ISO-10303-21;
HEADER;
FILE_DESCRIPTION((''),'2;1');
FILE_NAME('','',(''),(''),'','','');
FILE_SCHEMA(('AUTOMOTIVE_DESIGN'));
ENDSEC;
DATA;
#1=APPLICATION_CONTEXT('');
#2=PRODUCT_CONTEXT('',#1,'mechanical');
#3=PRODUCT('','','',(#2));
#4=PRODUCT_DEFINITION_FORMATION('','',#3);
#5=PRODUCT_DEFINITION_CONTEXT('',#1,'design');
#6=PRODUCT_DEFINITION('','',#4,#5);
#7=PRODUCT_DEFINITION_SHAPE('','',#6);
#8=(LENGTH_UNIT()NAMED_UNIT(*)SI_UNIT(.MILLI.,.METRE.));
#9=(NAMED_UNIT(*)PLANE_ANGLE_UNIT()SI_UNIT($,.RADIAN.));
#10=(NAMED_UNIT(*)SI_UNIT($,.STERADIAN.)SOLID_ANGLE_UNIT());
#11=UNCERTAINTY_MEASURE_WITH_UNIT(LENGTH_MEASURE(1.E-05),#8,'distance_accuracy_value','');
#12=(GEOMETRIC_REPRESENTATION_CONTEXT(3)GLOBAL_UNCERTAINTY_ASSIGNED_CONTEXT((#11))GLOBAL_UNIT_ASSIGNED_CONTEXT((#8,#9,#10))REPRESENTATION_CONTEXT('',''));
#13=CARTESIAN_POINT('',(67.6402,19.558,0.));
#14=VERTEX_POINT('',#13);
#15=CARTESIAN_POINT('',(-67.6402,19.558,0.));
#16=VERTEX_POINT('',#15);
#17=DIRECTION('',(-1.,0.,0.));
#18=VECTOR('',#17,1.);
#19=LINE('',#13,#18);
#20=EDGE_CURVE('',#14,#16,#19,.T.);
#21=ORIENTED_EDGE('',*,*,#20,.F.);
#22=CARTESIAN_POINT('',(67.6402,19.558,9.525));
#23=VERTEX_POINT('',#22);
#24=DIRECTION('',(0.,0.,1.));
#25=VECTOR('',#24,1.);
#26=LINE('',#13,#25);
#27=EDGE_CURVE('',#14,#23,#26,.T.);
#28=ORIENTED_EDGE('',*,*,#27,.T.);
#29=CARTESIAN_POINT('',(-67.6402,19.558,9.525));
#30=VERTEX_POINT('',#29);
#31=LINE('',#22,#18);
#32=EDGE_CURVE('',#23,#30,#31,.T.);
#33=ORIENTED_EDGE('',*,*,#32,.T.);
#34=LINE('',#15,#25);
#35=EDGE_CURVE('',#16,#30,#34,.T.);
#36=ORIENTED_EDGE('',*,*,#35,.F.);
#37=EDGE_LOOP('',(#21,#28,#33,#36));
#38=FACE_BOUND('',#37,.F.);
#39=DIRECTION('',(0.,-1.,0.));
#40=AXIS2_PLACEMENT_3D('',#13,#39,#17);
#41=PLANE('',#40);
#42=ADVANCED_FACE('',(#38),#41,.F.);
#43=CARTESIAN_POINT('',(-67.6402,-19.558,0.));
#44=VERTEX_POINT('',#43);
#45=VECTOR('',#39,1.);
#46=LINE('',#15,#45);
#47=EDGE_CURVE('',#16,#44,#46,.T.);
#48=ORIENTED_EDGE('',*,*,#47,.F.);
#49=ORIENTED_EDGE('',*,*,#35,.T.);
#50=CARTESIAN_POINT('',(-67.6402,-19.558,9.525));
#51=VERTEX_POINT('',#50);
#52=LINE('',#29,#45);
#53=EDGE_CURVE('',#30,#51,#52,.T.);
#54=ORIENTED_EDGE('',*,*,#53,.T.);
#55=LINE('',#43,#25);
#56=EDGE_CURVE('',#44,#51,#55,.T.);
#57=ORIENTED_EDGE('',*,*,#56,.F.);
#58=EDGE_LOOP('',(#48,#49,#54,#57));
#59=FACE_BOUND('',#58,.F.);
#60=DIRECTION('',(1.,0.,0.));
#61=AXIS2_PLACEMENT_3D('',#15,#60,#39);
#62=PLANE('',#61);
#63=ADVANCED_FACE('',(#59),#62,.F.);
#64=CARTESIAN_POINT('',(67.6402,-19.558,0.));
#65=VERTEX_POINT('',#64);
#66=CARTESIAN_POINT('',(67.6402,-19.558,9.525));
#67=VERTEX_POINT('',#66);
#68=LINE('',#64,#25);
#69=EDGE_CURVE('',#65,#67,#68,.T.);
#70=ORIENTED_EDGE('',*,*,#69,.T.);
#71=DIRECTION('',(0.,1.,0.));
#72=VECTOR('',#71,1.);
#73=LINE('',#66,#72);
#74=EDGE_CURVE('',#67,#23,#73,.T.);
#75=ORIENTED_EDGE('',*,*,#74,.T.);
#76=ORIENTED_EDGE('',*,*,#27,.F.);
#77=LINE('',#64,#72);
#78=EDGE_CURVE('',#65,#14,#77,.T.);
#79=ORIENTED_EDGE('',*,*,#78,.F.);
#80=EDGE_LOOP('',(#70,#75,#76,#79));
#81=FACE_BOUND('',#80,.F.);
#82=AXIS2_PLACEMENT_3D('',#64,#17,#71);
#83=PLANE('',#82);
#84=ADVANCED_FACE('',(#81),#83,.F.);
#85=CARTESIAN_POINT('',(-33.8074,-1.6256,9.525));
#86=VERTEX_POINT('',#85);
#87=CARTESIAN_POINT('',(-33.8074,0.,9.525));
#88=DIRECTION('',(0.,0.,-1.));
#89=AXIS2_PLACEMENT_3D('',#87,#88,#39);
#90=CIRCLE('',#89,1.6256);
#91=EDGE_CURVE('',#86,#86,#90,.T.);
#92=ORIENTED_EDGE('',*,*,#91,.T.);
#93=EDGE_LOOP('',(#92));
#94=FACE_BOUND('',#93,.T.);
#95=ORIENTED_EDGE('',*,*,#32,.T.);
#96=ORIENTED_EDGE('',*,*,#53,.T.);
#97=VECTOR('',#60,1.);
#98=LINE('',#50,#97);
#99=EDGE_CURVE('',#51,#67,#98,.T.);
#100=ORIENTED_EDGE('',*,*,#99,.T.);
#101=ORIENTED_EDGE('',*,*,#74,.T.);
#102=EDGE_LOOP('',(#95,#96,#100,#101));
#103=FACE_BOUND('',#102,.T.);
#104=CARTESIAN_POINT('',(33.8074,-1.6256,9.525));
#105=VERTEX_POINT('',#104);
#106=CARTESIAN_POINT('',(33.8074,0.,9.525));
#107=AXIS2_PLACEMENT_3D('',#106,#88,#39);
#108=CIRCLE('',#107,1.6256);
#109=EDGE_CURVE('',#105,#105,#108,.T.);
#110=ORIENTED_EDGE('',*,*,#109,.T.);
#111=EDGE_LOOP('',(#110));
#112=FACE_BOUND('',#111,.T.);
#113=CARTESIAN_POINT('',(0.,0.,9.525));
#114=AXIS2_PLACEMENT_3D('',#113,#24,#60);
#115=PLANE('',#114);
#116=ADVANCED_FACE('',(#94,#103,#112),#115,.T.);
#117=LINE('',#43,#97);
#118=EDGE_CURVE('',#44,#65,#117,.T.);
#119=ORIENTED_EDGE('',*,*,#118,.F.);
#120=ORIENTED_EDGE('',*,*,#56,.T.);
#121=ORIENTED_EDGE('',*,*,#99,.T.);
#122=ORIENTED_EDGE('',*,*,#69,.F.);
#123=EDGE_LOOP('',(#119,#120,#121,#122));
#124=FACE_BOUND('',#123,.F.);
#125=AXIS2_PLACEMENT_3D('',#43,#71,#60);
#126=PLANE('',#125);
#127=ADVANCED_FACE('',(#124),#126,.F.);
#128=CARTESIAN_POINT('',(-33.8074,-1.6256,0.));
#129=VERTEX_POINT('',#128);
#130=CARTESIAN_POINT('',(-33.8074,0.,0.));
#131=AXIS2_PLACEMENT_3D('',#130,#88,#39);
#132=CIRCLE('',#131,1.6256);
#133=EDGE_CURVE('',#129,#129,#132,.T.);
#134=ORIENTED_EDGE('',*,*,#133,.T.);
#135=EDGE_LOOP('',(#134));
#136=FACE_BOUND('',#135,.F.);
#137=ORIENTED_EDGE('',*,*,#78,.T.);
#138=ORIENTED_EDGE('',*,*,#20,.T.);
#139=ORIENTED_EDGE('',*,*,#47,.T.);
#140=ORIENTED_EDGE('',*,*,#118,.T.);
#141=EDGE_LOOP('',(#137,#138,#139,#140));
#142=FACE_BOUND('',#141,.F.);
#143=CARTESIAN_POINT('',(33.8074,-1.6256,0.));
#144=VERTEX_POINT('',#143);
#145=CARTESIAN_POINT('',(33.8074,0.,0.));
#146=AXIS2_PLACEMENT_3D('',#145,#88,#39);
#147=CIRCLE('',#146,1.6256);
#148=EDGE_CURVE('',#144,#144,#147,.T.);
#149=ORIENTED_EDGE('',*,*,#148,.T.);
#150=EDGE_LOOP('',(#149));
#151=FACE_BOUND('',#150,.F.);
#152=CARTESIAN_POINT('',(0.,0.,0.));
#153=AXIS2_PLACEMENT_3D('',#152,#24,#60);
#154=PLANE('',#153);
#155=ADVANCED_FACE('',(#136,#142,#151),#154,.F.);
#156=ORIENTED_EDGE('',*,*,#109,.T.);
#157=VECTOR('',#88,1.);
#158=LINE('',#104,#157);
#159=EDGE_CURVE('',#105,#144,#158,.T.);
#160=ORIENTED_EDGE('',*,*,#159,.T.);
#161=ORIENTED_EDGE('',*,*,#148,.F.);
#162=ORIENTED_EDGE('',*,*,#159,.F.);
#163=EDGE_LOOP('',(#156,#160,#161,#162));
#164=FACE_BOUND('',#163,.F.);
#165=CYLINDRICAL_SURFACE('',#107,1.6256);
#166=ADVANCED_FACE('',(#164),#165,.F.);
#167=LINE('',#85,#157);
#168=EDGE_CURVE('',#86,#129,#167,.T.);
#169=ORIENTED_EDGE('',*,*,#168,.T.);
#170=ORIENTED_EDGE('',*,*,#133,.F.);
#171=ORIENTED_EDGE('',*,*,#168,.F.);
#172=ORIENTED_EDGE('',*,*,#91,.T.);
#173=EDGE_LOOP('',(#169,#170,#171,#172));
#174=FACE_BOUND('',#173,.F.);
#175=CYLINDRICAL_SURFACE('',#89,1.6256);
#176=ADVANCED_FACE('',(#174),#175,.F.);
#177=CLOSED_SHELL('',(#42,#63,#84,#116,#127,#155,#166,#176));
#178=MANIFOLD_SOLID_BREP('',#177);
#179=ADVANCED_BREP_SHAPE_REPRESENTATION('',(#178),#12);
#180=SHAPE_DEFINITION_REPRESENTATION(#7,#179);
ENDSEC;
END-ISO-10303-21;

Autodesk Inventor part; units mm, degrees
ref_plane "YZ Plane" through (0, 0, 0) normal (1, 0, 0) x (0, 1, 0)
ref_plane "XZ Plane" through (0, 0, 0) normal (0, 1, 0) x (-1, 0, 0)
ref_plane "XY Plane" through (0, 0, 0) normal (0, 0, 1) x (1, 0, 0)
sketch "Sketch1" plane through (0, 0, 0) normal (0, 0, 1) x (1, 0, 0)
  line L0 (-67.6402, -19.558) -> (67.6402, -19.558)
  line L1 (67.6402, -19.558) -> (67.6402, 19.558)
  line L2 (67.6402, 19.558) -> (-67.6402, 19.558)
  line L3 (-67.6402, 19.558) -> (-67.6402, -19.558)
  line L4 (-67.6402, -19.558) -> (67.6402, 19.558) construction
  line L5 (67.6402, -19.558) -> (-67.6402, 19.558) construction
  point P0 (0, 0)
  dimension "d0" = 135.2804
  dimension "d1" = 39.116
extrude "Extrusion1" add sketch "Sketch1" along normal blind 9.525
sketch "Sketch2" plane through (0, 0, 9.525) normal (0, 0, 1) x (1, 0, 0)
  line L0 (-67.5894, 0) -> (67.7772, 0)
  line L1 (-67.6402, 19.558) -> (-67.6402, -19.558) projected
  line L2 (67.6402, -19.558) -> (67.6402, 19.558) projected
  line L3 (-67.6402, -19.558) -> (67.6402, -19.558) projected
  point P0 (0, 0)
  point P1 (-33.8074, 0)
  point P2 (33.8074, 0)
  dimension "d4" = 33.8328
  dimension "d5" = 33.8328
  dimension "d13" = 19.558
hole "Hole1" at (-33.8074, 0, 9.525) at (33.8074, 0, 9.525) direction (0, 0, -1) diameter 3.2512 end through all
properties part number "nmt_metalplate"
